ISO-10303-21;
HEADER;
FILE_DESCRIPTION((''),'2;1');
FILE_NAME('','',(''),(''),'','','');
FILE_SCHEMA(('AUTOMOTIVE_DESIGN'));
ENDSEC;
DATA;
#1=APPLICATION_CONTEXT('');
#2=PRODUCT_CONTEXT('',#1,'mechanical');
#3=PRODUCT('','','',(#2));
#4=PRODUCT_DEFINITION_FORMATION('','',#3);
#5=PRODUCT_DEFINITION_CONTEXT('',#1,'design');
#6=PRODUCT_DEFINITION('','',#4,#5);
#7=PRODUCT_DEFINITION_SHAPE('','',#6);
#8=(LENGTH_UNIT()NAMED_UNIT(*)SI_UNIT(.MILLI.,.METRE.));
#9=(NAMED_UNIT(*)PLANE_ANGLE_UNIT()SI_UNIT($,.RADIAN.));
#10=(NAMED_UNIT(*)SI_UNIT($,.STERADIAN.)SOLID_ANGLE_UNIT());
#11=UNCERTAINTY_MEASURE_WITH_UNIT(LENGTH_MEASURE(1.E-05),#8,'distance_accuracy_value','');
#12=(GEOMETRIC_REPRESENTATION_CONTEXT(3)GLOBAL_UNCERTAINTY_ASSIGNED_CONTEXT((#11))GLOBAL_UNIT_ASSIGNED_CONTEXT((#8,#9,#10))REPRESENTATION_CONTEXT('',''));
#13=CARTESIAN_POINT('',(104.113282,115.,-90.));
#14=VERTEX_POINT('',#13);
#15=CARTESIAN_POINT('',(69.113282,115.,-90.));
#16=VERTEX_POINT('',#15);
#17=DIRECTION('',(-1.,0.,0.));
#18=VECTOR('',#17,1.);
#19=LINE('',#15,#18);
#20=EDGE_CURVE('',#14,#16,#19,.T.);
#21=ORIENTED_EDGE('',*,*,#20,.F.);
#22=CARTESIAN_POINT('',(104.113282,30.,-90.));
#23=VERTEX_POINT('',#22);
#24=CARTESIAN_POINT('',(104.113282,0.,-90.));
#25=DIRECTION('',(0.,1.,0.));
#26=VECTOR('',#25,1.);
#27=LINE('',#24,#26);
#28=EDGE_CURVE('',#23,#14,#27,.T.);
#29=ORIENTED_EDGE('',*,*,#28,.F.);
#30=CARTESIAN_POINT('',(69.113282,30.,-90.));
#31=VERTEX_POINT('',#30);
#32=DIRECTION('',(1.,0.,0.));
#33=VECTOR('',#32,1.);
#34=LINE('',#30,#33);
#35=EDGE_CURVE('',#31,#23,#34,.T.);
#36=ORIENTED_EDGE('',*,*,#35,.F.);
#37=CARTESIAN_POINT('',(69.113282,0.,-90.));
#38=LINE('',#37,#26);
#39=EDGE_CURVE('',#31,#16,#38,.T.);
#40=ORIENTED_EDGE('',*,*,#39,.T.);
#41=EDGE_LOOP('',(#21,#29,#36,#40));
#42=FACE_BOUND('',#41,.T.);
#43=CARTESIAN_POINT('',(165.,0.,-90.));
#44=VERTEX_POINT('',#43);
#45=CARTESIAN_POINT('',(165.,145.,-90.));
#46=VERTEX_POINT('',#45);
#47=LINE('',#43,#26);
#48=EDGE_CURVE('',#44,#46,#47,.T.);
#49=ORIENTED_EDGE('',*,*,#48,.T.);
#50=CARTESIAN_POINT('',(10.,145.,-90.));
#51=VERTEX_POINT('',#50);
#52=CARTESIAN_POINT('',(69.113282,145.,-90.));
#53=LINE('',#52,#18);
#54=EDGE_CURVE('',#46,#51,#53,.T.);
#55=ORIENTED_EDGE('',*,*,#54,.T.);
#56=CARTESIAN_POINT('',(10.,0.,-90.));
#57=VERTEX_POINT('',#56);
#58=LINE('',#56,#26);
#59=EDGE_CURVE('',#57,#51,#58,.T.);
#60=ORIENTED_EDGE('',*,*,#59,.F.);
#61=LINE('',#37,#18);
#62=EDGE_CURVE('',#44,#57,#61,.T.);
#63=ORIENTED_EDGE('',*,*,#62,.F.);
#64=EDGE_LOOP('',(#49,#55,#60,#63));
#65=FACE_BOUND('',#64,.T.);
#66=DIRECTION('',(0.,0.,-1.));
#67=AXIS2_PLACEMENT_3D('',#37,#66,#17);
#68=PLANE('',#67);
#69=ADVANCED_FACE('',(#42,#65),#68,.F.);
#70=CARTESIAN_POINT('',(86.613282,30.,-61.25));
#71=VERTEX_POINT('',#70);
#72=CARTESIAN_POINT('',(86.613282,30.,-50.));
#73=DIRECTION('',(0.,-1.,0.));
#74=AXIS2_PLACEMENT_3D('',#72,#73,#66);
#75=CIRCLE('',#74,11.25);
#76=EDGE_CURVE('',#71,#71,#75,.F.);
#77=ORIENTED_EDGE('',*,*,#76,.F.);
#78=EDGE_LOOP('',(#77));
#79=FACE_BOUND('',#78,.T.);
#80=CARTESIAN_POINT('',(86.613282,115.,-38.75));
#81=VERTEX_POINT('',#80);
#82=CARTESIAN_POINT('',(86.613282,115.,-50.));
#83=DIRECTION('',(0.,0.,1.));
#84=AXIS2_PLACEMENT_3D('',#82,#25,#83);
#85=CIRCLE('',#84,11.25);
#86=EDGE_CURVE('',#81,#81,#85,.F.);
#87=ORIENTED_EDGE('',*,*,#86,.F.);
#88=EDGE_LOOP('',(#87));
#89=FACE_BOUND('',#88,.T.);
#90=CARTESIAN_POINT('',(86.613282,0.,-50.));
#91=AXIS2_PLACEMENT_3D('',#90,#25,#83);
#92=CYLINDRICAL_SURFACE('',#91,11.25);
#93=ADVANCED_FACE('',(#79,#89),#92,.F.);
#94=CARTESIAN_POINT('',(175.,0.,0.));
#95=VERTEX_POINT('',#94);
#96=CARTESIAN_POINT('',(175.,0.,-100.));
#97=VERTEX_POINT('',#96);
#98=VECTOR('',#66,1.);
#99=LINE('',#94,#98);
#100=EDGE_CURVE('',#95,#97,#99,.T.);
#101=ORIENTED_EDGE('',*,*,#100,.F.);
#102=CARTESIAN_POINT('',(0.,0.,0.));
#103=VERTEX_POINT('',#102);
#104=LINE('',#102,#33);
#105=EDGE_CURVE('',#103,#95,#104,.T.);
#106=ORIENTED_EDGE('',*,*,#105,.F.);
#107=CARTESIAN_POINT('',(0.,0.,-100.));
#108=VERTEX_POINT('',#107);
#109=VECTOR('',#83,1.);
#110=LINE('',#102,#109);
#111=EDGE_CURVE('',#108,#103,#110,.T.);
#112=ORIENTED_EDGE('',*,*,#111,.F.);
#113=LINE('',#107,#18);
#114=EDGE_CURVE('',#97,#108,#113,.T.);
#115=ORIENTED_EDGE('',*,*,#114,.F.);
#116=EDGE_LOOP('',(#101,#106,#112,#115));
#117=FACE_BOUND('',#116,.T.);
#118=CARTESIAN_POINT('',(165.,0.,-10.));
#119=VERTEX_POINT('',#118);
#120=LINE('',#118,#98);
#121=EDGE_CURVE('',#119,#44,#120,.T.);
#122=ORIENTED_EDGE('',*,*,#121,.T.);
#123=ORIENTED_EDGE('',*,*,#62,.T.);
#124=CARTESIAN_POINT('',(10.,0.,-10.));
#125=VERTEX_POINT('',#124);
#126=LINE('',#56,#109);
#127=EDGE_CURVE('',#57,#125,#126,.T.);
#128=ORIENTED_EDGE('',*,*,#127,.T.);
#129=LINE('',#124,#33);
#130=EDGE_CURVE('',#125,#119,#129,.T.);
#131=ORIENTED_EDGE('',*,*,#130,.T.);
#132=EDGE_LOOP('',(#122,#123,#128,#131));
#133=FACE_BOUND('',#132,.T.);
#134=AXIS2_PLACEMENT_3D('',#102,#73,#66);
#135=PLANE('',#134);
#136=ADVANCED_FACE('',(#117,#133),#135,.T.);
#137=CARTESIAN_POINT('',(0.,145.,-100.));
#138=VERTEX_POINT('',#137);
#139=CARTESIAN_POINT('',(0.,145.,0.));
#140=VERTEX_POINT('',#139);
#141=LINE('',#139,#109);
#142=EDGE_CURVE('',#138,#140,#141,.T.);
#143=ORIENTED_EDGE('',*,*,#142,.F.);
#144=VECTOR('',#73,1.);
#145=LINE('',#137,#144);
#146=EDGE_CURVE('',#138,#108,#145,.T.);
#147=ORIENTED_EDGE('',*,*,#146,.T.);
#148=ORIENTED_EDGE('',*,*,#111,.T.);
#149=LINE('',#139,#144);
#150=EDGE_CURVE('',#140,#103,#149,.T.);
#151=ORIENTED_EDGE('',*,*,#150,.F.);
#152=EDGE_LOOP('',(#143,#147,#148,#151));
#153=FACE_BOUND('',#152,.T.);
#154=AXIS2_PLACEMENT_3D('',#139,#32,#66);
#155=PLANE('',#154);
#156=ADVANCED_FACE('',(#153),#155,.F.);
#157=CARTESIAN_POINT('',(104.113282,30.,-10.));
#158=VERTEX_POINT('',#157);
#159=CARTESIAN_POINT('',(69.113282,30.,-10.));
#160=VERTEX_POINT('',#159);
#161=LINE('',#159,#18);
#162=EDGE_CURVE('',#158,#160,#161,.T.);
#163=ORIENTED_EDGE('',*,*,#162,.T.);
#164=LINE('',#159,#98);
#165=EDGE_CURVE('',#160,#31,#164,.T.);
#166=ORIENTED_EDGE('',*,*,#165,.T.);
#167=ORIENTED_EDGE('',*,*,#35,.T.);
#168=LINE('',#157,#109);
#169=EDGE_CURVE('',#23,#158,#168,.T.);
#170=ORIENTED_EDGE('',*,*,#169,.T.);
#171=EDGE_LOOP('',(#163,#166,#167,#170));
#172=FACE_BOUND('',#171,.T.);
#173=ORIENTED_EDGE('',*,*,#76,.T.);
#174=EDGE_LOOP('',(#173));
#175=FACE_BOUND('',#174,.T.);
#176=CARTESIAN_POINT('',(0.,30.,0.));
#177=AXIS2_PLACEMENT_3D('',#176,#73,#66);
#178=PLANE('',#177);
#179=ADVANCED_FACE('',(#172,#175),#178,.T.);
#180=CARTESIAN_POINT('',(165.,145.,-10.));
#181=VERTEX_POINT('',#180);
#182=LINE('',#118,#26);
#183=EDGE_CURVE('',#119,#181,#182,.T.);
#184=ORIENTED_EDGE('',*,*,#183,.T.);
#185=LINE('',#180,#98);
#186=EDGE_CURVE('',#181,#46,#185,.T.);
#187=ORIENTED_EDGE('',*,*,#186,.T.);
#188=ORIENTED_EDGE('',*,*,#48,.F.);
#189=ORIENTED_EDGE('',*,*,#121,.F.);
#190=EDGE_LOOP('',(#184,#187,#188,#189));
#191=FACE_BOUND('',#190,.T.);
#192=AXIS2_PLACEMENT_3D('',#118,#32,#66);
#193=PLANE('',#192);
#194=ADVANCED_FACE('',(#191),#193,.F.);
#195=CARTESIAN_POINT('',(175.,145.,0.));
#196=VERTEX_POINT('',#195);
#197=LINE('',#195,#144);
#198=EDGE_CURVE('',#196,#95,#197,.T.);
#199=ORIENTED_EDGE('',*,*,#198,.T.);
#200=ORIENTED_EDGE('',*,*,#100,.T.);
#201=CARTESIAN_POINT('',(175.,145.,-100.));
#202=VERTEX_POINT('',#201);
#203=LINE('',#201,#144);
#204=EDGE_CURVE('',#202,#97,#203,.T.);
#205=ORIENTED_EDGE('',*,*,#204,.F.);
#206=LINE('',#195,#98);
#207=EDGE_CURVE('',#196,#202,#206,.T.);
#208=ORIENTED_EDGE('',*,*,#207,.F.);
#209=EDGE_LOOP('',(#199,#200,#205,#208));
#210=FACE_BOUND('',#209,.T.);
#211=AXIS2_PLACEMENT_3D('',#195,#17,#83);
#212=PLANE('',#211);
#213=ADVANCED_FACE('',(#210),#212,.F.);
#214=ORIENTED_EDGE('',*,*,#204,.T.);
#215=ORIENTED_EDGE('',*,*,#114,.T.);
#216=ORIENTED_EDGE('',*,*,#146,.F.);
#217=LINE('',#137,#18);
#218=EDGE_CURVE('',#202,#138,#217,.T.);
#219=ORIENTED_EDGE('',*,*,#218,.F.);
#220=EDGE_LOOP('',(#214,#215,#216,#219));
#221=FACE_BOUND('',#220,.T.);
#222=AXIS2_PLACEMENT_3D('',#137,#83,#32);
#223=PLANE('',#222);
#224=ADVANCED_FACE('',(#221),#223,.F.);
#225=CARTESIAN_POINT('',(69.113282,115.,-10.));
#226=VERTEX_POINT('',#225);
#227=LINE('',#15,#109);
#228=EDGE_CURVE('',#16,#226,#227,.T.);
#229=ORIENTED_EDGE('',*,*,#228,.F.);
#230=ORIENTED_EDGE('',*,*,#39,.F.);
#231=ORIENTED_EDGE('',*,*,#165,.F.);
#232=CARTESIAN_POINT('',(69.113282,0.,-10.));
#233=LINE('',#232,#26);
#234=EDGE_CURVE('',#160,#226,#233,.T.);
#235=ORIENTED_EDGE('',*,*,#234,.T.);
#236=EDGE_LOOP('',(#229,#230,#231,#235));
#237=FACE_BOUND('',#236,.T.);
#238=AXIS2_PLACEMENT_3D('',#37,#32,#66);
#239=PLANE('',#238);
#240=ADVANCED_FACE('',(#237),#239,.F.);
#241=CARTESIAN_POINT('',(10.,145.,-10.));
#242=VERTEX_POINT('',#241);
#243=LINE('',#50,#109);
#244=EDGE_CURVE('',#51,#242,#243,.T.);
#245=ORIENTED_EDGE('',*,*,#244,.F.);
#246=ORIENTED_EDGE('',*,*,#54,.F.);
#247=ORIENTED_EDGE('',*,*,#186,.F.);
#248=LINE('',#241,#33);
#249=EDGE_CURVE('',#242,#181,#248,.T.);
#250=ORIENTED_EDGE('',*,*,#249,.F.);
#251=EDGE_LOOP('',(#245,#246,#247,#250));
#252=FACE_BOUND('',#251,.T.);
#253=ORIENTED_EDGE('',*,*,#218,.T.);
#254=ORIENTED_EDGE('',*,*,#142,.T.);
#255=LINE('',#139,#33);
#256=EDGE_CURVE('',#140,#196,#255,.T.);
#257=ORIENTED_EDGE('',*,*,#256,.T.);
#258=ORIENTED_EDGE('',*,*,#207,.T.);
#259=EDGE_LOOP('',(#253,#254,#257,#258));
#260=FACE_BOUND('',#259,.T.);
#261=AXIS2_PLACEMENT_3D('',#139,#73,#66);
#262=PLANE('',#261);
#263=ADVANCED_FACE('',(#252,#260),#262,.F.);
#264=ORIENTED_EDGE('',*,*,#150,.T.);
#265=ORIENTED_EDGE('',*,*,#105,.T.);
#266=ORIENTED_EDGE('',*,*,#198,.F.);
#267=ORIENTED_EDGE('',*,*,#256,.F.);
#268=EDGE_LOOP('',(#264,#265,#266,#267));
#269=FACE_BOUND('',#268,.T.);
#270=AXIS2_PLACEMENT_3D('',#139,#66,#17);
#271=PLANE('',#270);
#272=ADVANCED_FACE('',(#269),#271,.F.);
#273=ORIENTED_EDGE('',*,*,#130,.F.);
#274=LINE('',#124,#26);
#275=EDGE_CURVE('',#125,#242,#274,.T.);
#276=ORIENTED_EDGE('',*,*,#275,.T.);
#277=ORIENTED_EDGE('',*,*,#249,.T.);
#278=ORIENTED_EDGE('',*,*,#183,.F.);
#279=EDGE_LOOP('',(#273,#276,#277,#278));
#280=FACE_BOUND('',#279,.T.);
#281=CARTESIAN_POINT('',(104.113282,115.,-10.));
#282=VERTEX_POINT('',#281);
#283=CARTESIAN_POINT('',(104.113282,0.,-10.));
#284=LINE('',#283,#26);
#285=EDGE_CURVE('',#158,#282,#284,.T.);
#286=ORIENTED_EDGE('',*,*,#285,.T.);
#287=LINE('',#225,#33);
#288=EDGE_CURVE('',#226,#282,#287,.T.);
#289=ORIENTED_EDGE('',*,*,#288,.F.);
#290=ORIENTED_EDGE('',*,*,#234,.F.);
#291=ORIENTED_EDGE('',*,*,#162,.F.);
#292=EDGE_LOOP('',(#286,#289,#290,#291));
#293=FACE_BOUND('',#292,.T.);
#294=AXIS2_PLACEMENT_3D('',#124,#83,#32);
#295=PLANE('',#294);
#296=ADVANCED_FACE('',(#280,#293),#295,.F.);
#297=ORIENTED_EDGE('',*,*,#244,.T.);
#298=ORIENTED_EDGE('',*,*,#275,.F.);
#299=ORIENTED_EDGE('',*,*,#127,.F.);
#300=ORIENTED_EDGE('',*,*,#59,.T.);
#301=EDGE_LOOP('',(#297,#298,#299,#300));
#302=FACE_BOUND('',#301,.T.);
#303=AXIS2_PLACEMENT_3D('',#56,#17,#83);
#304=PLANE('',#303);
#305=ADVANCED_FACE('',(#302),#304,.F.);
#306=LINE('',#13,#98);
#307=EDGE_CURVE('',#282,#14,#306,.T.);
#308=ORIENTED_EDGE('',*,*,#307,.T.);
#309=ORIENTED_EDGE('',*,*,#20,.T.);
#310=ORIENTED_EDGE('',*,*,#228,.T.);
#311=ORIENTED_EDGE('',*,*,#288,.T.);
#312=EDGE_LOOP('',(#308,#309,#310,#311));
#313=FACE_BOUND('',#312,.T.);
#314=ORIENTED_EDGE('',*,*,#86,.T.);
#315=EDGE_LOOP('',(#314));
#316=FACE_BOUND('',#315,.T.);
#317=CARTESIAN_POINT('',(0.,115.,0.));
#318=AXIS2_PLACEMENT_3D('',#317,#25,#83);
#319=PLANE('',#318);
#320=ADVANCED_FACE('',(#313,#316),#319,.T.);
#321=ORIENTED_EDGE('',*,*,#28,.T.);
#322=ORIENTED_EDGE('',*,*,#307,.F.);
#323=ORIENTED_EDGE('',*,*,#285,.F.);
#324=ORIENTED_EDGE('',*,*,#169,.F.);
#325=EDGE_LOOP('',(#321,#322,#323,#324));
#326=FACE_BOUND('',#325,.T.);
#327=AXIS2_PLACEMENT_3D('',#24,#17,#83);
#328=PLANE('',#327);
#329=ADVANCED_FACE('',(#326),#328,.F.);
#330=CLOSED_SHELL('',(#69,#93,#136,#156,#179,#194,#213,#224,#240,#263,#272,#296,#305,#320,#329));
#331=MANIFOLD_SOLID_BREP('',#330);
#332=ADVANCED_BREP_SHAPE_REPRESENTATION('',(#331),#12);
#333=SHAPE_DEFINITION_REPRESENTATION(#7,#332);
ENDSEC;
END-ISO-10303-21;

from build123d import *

# Parameters (mm, degrees)
SKETCH1_W           = 175
SKETCH1_H           = 100
BOSS_EXTRUDE1_DEPTH = 145
SKETCH2_R           = 11.25
SKETCH2_W           = 59.113281673
SKETCH2_H           = 80
SKETCH2_W_2         = 60.886718327
CUT_EXTRUDE1_DEPTH  = 145
SKETCH4_W           = 35
SKETCH4_H           = 80
CUT_EXTRUDE2_DEPTH  = 30
SKETCH5_W           = 35
SKETCH5_H           = 80
CUT_EXTRUDE3_DEPTH  = 30


with BuildPart() as part:
    # Sketch1 → Boss-Extrude1 (new body)
    with BuildSketch(Plane(origin=(0, 0, 0), x_dir=(1, 0, 0), z_dir=(0, 1, 0))):
        with Locations((87.5, 50)):
            Rectangle(SKETCH1_W, SKETCH1_H)
    extrude(amount=BOSS_EXTRUDE1_DEPTH)

    # Sketch2 → Cut-Extrude1 (cut)
    with BuildSketch(Plane(origin=(0, 145, 0), x_dir=(1, 0, 0), z_dir=(0, 1, 0))):
        with Locations((86.613281673, 50)):
            Circle(SKETCH2_R)
        with Locations((39.556640837, 50)):
            Rectangle(SKETCH2_W, SKETCH2_H)
        with Locations((134.556640837, 50)):
            Rectangle(SKETCH2_W_2, SKETCH2_H)
    extrude(amount=-CUT_EXTRUDE1_DEPTH, mode=Mode.SUBTRACT)

    # Sketch4 → Cut-Extrude2 (cut)
    with BuildSketch(Plane(origin=(0, 145, 0), x_dir=(1, 0, 0), z_dir=(0, 1, 0))):
        with Locations((86.613281673, 50)):
            Rectangle(SKETCH4_W, SKETCH4_H)
    extrude(amount=-CUT_EXTRUDE2_DEPTH, mode=Mode.SUBTRACT)

    # Sketch5 → Cut-Extrude3 (cut)
    with BuildSketch(Plane.XZ):
        with Locations((86.613281673, -50)):
            Rectangle(SKETCH5_W, SKETCH5_H)
    extrude(amount=-CUT_EXTRUDE3_DEPTH, mode=Mode.SUBTRACT)


solid = part.part
